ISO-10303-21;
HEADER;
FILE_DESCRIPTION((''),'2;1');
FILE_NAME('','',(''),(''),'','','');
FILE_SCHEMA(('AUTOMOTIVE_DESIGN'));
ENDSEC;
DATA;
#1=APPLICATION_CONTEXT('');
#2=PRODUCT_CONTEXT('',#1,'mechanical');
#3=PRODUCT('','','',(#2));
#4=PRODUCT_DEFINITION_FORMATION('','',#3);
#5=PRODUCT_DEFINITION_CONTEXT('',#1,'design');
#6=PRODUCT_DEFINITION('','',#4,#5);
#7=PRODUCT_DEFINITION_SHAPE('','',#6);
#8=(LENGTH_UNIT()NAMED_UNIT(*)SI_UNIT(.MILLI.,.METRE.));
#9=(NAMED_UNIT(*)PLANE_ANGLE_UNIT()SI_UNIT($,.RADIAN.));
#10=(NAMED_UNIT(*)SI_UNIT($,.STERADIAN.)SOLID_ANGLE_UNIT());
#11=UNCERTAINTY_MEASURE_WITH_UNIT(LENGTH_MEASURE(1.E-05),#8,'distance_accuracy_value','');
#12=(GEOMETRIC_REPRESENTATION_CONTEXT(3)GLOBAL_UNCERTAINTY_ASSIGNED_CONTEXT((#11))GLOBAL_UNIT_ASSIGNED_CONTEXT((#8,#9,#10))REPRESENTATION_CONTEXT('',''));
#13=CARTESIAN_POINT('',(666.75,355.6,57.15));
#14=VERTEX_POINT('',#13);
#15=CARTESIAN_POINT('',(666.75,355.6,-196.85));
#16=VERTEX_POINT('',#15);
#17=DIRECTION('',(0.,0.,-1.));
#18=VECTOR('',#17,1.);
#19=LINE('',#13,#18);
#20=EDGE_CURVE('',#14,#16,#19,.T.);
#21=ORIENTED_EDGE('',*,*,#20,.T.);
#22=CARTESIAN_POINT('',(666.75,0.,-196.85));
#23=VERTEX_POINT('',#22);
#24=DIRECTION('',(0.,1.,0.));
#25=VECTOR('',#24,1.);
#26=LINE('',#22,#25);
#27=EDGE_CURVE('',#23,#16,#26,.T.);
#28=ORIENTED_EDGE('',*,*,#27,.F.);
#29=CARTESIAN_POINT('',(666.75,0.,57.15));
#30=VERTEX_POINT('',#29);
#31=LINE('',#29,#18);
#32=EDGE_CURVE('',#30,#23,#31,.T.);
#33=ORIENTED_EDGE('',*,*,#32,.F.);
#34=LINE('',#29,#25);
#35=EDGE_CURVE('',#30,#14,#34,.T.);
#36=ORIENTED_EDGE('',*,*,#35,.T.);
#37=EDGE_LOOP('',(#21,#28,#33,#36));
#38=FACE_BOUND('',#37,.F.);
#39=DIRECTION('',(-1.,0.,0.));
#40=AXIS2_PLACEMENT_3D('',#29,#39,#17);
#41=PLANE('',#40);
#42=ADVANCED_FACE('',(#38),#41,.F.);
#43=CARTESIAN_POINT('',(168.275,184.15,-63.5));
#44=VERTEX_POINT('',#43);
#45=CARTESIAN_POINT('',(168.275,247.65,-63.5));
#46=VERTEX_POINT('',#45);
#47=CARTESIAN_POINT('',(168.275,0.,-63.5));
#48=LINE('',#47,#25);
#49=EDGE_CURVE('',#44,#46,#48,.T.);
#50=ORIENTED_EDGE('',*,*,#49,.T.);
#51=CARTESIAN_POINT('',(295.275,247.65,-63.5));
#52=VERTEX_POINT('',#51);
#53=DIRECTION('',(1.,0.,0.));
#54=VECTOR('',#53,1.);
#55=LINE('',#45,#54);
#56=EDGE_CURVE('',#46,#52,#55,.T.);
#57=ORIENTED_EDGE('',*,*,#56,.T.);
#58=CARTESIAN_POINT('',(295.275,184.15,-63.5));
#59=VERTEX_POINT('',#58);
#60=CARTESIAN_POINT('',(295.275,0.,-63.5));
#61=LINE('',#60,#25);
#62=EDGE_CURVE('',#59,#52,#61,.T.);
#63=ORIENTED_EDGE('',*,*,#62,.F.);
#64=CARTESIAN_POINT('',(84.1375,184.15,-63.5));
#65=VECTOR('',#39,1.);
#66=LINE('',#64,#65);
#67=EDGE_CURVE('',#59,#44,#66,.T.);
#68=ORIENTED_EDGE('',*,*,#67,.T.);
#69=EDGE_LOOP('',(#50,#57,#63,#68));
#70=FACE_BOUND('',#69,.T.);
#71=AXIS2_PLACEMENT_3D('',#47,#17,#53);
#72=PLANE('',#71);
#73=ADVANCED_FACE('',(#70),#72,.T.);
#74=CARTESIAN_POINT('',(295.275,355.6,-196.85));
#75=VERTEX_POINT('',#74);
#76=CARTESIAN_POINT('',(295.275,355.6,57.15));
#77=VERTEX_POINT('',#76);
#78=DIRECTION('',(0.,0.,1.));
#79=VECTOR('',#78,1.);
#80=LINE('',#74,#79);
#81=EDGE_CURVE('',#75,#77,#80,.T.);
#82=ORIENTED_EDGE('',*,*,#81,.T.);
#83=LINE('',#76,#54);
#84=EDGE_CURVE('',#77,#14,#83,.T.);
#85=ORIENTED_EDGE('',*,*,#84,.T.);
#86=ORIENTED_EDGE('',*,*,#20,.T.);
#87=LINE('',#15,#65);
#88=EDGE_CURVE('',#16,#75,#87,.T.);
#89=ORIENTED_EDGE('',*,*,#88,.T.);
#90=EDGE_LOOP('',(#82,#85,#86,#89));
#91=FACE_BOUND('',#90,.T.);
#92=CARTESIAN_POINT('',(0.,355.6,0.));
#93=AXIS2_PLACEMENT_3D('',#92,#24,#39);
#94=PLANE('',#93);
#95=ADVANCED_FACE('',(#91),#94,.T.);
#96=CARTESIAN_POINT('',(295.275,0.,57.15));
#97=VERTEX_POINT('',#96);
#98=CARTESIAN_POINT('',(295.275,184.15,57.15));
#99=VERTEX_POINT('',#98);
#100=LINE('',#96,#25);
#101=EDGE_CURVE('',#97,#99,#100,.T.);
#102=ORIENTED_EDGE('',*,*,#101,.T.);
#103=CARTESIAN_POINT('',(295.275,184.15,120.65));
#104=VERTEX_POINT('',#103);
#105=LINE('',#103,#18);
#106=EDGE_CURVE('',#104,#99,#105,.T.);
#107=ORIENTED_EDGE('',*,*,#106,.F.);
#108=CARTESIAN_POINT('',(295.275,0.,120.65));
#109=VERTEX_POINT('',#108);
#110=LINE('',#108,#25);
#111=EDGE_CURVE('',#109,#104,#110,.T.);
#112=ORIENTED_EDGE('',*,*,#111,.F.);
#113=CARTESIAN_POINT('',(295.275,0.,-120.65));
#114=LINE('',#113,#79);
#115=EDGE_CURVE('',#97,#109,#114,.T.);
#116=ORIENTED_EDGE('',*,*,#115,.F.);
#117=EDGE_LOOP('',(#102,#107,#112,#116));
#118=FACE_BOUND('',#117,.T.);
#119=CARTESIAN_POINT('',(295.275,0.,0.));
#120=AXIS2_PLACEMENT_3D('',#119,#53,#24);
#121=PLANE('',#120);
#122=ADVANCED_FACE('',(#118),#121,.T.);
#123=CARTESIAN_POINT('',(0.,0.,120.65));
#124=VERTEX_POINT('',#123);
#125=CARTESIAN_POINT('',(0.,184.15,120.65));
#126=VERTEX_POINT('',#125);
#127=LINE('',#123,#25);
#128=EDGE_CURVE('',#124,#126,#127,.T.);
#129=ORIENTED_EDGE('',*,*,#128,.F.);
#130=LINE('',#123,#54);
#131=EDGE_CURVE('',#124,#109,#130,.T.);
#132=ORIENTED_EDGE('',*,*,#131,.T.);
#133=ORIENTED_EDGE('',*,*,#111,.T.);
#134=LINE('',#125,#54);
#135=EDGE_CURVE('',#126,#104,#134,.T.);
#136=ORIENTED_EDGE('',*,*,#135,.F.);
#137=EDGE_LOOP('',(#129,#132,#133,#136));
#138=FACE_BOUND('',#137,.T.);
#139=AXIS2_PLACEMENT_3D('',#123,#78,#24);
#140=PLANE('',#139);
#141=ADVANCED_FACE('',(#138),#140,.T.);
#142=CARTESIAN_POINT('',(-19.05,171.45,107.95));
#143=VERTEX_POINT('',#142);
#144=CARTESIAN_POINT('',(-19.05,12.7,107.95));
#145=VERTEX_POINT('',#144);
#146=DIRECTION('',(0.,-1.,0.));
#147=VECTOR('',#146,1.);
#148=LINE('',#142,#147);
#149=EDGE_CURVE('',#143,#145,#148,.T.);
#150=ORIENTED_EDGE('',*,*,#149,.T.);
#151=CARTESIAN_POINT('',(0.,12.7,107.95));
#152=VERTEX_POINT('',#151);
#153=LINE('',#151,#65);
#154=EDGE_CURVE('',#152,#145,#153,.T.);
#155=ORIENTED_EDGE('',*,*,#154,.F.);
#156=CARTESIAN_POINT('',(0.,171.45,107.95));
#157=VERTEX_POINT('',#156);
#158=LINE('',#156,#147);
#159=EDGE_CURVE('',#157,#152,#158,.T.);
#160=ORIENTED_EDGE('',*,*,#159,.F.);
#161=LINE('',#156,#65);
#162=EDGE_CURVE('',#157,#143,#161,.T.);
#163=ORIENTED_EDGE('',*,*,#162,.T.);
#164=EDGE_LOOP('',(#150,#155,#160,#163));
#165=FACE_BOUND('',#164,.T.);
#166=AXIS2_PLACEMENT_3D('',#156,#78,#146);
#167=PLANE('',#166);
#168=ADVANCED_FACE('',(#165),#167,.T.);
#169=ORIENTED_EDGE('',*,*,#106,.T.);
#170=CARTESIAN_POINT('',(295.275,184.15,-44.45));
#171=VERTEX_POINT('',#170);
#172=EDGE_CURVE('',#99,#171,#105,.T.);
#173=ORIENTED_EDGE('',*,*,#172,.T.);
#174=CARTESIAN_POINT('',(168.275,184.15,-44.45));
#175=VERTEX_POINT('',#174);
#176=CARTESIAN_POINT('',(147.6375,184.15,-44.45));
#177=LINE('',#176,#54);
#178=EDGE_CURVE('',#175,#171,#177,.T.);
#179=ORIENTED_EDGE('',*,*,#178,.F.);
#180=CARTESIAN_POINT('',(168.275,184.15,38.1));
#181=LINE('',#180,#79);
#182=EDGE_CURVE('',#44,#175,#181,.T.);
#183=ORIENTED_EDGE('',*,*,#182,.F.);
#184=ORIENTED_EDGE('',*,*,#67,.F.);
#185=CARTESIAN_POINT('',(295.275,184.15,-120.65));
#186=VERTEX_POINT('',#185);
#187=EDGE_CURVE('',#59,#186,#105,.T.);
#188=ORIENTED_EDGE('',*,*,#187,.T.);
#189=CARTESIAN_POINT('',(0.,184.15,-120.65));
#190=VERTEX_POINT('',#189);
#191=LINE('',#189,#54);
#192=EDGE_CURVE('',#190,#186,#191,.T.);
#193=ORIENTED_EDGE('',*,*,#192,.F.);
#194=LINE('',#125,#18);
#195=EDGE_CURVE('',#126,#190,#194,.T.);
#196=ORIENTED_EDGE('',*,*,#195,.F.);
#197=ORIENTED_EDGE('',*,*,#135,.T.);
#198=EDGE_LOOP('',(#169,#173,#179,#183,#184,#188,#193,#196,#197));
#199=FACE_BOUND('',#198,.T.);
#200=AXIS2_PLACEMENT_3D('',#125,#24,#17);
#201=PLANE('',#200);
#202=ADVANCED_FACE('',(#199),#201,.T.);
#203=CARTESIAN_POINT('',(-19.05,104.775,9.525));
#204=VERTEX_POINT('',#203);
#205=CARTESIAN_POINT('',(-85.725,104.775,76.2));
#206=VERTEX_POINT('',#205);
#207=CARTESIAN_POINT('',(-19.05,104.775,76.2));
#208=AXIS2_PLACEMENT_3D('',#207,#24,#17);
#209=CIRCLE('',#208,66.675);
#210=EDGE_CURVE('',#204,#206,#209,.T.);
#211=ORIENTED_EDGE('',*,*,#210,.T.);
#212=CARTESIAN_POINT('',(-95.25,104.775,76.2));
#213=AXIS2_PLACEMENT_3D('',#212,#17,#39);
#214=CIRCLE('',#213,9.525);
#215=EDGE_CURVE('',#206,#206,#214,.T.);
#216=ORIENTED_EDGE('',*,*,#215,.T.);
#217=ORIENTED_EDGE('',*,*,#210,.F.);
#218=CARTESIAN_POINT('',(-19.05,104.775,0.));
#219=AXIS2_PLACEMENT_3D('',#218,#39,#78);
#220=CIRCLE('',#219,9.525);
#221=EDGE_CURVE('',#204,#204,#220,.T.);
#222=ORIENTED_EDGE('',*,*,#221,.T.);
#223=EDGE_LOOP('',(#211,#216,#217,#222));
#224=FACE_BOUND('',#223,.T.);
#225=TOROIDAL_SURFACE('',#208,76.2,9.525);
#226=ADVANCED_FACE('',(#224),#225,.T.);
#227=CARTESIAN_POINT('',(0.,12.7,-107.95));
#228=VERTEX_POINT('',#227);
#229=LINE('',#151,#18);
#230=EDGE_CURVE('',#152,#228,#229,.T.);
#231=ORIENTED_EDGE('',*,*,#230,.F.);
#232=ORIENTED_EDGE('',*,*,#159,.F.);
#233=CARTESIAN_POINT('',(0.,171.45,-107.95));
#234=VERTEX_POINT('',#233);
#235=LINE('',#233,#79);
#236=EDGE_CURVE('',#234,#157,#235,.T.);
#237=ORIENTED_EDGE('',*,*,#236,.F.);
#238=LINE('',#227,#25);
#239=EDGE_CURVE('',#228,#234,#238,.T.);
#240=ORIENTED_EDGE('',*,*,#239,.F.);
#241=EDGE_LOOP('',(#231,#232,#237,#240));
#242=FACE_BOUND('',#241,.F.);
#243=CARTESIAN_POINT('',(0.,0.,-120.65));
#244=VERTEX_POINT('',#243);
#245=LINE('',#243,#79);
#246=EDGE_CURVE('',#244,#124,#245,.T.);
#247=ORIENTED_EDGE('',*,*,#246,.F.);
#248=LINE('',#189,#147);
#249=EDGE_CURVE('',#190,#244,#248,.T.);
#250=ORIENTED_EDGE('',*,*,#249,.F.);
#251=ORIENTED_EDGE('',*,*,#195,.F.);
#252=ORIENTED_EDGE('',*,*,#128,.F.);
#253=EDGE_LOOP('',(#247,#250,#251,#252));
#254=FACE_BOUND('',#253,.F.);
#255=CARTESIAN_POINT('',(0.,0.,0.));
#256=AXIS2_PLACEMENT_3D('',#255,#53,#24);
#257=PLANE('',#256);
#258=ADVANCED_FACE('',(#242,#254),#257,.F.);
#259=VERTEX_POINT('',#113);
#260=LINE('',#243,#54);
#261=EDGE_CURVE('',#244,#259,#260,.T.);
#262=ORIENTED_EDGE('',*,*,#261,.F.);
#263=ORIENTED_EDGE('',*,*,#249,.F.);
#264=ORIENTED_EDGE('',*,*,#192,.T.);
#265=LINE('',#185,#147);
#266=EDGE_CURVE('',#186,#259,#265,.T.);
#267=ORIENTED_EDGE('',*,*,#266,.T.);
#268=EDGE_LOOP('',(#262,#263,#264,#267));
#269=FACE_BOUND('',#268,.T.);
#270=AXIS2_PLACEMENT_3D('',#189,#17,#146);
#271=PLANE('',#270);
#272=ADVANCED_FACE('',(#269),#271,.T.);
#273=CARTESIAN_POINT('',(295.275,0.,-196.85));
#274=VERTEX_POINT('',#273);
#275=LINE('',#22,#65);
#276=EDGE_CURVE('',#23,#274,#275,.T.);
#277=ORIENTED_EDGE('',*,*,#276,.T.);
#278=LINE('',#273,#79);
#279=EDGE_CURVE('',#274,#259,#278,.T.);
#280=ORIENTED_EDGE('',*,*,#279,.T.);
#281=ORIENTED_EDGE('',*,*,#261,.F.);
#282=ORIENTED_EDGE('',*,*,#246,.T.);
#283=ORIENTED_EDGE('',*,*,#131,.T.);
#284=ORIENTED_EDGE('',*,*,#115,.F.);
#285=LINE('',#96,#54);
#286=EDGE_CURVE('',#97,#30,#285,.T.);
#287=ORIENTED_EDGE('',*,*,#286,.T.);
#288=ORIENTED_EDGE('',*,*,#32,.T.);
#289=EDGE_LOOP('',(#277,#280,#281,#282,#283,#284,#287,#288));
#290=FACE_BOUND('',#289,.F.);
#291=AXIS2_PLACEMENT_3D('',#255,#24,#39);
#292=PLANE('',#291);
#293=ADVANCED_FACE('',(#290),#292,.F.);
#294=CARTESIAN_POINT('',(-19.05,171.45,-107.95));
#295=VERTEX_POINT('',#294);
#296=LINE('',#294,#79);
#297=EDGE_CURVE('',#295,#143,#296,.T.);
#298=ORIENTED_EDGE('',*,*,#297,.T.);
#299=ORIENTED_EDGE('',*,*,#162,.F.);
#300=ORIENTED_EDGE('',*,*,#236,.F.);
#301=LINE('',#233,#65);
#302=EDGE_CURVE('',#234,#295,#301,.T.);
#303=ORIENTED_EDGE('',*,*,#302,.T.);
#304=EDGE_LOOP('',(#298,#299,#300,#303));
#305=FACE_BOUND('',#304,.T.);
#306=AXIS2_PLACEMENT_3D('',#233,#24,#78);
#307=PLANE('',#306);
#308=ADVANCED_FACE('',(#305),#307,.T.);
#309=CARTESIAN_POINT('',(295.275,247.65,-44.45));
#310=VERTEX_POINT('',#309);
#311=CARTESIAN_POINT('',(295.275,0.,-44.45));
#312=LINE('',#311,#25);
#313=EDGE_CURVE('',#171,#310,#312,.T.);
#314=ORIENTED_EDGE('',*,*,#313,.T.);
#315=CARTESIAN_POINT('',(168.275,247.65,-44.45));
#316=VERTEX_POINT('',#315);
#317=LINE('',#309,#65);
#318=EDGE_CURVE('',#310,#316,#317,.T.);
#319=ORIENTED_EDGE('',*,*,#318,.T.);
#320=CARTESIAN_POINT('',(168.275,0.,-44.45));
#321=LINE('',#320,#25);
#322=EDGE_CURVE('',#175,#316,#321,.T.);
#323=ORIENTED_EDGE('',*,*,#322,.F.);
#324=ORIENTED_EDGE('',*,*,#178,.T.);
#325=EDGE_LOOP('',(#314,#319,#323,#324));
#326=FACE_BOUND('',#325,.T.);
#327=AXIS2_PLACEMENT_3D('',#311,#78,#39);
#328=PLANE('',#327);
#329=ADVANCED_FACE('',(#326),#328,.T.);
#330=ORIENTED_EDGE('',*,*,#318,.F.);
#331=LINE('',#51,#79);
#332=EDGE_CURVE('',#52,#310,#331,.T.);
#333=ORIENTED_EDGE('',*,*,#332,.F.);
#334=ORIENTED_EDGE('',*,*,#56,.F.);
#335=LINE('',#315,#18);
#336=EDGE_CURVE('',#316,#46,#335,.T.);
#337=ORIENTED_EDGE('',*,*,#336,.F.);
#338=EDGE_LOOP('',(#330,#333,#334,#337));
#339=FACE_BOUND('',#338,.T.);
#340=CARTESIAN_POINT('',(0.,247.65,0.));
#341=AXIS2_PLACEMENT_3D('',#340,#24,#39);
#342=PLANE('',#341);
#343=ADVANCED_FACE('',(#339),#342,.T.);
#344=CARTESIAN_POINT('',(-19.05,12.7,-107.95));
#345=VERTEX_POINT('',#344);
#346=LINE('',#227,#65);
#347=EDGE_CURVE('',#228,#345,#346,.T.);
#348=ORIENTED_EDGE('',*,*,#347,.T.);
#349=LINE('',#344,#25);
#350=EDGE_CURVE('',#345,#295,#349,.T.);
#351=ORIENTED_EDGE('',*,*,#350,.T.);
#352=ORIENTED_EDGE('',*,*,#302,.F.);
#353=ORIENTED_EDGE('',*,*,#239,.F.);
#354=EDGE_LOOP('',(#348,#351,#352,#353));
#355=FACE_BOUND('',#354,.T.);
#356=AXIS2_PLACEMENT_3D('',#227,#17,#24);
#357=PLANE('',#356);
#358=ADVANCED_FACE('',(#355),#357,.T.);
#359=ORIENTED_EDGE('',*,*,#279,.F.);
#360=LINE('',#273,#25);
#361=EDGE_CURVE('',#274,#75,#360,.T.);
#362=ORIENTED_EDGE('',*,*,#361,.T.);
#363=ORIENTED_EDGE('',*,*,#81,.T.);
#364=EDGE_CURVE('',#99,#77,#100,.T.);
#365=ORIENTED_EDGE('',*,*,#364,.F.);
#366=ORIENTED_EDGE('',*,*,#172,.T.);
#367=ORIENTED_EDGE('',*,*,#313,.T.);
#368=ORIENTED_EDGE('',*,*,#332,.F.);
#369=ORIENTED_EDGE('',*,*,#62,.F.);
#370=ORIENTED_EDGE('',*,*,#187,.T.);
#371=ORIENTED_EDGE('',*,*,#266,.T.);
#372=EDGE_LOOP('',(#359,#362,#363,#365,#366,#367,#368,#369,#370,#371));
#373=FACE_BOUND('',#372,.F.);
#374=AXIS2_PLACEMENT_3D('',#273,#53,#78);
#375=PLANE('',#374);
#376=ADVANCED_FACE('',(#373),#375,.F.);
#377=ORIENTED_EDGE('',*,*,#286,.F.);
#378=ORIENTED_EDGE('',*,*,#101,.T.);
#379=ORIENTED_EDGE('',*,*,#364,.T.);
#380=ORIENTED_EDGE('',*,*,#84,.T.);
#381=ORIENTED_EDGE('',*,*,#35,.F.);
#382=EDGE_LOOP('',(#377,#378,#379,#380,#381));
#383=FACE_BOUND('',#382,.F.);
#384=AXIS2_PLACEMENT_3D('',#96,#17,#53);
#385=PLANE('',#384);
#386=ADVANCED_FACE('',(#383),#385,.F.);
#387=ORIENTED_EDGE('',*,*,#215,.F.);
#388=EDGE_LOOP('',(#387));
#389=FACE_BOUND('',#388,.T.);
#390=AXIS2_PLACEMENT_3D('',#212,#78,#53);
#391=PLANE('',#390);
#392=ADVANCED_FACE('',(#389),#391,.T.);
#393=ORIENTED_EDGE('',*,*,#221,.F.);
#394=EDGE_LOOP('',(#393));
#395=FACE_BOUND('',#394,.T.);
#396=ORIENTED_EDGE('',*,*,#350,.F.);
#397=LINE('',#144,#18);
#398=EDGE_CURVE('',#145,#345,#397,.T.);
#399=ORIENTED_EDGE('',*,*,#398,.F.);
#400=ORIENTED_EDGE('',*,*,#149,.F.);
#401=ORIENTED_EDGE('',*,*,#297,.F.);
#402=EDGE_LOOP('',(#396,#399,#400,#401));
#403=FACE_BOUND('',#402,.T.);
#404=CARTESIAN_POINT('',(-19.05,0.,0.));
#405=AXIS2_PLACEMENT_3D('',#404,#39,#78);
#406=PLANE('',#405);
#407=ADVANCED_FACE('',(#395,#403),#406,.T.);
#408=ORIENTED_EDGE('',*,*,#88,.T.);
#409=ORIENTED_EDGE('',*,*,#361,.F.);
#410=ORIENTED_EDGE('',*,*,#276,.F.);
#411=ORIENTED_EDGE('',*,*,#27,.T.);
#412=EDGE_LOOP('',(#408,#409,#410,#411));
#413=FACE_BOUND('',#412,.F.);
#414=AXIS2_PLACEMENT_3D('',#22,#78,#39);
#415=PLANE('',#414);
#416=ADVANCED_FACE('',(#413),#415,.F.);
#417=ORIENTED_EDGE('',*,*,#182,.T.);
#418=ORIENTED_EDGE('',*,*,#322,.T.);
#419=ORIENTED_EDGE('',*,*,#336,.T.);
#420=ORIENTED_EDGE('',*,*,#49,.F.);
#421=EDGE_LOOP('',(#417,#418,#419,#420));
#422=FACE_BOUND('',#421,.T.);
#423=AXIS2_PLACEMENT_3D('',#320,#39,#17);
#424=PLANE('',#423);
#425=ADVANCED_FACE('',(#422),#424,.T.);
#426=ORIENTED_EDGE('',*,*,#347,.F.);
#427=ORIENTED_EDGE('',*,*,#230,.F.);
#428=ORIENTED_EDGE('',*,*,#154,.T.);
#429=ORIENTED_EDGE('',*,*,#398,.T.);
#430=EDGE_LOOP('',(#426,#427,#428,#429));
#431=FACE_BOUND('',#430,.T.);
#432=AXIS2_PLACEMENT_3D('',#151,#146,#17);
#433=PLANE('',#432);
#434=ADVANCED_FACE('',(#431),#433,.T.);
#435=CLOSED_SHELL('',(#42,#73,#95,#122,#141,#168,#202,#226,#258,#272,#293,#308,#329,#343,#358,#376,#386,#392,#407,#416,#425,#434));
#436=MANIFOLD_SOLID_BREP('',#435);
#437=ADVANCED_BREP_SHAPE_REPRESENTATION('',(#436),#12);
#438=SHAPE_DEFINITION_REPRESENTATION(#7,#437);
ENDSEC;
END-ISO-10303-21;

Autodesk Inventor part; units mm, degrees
ref_plane "YZ Plane" through (0, 0, 0) normal (1, 0, 0) x (0, 1, 0)
sketch "Sketch1" plane through (0, 0, 0) normal (1, 0, 0) x (0, 1, 0)
  line L0 (0, 120.65) -> (184.15, 120.65)
  line L1 (184.15, 120.65) -> (184.15, -120.65)
  line L2 (184.15, -120.65) -> (0, -120.65)
  line L3 (0, -120.65) -> (0, 120.65)
  point P0 (0, 0)
  point P1 (0, 0)
  dimension "d0" = 184.15
  dimension "d1" = 241.3
extrude "Extrusion1" add sketch "Sketch1" along normal blind 295.275
sketch "Sketch2" plane through (0, 0, 0) normal (-1, 0, 0) x (0, 0, 1)
  line L0 (120.65, 0) -> (120.65, 184.15) construction
  line L1 (120.65, 184.15) -> (-120.65, 184.15) construction
  line L2 (-120.65, 184.15) -> (-120.65, 0) construction
  line L3 (-120.65, 0) -> (120.65, 0) construction
  line L4 (-107.95, 171.45) -> (107.95, 171.45)
  line L5 (107.95, 171.45) -> (107.95, 12.7)
  line L6 (107.95, 12.7) -> (-107.95, 12.7)
  line L7 (-107.95, 12.7) -> (-107.95, 171.45)
  point P0 (0, 0)
  dimension "d4" = 12.7
extrude "Extrusion2" add sketch "Sketch2" along normal blind 19.05
ref_plane "Work Plane1" through (0, 104.775, 0) normal (0, 1, 0) x (-1, 0, 0)
sketch "Sketch3" plane through (0, 104.775, 0) normal (0, 1, 0) x (-1, 0, 0)
  line L0 (0, 120.65) -> (0, -120.65) construction
  line L1 (133.2378, 0) -> (-22.2063, 0) construction
  line L2 (0, 0) -> (19.05, 0)
  arc A0 (19.05, 0) -> (95.25, 76.2) centre (19.05, 76.2) ccw
  dimension "d8" = 19.05
  dimension "d22" = 76.2
sketch "Sketch4" plane through (0, 0, 0) normal (-1, 0, 0) x (0, 0, 1)
  circle A0 centre (0, 104.775) radius 9.525
  point P0 (0, 0)
  dimension "d9" = 19.05
sweep "Sweep1" add profiles "Sketch4" path "Sketch3"
sketch "Sketch5" plane through (0, 0, 0) normal (0, 1, 0) x (-1, 0, 0)
  line L0 (-295.275, 120.65) -> (-295.275, -120.65) construction
  line L1 (-295.275, 57.15) -> (-666.75, 57.15)
  line L2 (-666.75, 57.15) -> (-666.75, -196.85)
  line L3 (-666.75, -196.85) -> (-295.275, -196.85)
  line L4 (-295.275, -196.85) -> (-295.275, 57.15)
  line L5 (0, -120.65) -> (0, 120.65) construction
  point P0 (0, 0)
  dimension "d12" = 666.75
  dimension "d13" = 76.2
  dimension "d14" = 254
extrude "Extrusion3" add sketch "Sketch5" along normal blind 355.6
sketch "Sketch6" plane through (0, 0, 0) normal (0, 1, 0) x (-1, 0, 0)
  line L0 (-168.275, -63.5) -> (-295.275, -63.5)
  line L1 (-295.275, -63.5) -> (-295.275, -44.45)
  line L2 (-295.275, -44.45) -> (-168.275, -44.45)
  line L3 (-168.275, -44.45) -> (-168.275, -63.5)
  line L4 (-295.275, -196.85) -> (-295.275, 57.15) construction
  line L5 (0, -120.65) -> (-295.275, -120.65) construction
  point P0 (0, 0)
  dimension "d17" = 127
  dimension "d18" = 19.05
  dimension "d19" = 57.15
extrude "Extrusion4" add sketch "Sketch6" along normal blind 247.65
ref_plane "Work Plane2" through (295.275, 0, -196.85) normal (-1, 0, 0) x (0, 0, 1)
split_face "Split1"
properties part number "Welder" material "Steel"
